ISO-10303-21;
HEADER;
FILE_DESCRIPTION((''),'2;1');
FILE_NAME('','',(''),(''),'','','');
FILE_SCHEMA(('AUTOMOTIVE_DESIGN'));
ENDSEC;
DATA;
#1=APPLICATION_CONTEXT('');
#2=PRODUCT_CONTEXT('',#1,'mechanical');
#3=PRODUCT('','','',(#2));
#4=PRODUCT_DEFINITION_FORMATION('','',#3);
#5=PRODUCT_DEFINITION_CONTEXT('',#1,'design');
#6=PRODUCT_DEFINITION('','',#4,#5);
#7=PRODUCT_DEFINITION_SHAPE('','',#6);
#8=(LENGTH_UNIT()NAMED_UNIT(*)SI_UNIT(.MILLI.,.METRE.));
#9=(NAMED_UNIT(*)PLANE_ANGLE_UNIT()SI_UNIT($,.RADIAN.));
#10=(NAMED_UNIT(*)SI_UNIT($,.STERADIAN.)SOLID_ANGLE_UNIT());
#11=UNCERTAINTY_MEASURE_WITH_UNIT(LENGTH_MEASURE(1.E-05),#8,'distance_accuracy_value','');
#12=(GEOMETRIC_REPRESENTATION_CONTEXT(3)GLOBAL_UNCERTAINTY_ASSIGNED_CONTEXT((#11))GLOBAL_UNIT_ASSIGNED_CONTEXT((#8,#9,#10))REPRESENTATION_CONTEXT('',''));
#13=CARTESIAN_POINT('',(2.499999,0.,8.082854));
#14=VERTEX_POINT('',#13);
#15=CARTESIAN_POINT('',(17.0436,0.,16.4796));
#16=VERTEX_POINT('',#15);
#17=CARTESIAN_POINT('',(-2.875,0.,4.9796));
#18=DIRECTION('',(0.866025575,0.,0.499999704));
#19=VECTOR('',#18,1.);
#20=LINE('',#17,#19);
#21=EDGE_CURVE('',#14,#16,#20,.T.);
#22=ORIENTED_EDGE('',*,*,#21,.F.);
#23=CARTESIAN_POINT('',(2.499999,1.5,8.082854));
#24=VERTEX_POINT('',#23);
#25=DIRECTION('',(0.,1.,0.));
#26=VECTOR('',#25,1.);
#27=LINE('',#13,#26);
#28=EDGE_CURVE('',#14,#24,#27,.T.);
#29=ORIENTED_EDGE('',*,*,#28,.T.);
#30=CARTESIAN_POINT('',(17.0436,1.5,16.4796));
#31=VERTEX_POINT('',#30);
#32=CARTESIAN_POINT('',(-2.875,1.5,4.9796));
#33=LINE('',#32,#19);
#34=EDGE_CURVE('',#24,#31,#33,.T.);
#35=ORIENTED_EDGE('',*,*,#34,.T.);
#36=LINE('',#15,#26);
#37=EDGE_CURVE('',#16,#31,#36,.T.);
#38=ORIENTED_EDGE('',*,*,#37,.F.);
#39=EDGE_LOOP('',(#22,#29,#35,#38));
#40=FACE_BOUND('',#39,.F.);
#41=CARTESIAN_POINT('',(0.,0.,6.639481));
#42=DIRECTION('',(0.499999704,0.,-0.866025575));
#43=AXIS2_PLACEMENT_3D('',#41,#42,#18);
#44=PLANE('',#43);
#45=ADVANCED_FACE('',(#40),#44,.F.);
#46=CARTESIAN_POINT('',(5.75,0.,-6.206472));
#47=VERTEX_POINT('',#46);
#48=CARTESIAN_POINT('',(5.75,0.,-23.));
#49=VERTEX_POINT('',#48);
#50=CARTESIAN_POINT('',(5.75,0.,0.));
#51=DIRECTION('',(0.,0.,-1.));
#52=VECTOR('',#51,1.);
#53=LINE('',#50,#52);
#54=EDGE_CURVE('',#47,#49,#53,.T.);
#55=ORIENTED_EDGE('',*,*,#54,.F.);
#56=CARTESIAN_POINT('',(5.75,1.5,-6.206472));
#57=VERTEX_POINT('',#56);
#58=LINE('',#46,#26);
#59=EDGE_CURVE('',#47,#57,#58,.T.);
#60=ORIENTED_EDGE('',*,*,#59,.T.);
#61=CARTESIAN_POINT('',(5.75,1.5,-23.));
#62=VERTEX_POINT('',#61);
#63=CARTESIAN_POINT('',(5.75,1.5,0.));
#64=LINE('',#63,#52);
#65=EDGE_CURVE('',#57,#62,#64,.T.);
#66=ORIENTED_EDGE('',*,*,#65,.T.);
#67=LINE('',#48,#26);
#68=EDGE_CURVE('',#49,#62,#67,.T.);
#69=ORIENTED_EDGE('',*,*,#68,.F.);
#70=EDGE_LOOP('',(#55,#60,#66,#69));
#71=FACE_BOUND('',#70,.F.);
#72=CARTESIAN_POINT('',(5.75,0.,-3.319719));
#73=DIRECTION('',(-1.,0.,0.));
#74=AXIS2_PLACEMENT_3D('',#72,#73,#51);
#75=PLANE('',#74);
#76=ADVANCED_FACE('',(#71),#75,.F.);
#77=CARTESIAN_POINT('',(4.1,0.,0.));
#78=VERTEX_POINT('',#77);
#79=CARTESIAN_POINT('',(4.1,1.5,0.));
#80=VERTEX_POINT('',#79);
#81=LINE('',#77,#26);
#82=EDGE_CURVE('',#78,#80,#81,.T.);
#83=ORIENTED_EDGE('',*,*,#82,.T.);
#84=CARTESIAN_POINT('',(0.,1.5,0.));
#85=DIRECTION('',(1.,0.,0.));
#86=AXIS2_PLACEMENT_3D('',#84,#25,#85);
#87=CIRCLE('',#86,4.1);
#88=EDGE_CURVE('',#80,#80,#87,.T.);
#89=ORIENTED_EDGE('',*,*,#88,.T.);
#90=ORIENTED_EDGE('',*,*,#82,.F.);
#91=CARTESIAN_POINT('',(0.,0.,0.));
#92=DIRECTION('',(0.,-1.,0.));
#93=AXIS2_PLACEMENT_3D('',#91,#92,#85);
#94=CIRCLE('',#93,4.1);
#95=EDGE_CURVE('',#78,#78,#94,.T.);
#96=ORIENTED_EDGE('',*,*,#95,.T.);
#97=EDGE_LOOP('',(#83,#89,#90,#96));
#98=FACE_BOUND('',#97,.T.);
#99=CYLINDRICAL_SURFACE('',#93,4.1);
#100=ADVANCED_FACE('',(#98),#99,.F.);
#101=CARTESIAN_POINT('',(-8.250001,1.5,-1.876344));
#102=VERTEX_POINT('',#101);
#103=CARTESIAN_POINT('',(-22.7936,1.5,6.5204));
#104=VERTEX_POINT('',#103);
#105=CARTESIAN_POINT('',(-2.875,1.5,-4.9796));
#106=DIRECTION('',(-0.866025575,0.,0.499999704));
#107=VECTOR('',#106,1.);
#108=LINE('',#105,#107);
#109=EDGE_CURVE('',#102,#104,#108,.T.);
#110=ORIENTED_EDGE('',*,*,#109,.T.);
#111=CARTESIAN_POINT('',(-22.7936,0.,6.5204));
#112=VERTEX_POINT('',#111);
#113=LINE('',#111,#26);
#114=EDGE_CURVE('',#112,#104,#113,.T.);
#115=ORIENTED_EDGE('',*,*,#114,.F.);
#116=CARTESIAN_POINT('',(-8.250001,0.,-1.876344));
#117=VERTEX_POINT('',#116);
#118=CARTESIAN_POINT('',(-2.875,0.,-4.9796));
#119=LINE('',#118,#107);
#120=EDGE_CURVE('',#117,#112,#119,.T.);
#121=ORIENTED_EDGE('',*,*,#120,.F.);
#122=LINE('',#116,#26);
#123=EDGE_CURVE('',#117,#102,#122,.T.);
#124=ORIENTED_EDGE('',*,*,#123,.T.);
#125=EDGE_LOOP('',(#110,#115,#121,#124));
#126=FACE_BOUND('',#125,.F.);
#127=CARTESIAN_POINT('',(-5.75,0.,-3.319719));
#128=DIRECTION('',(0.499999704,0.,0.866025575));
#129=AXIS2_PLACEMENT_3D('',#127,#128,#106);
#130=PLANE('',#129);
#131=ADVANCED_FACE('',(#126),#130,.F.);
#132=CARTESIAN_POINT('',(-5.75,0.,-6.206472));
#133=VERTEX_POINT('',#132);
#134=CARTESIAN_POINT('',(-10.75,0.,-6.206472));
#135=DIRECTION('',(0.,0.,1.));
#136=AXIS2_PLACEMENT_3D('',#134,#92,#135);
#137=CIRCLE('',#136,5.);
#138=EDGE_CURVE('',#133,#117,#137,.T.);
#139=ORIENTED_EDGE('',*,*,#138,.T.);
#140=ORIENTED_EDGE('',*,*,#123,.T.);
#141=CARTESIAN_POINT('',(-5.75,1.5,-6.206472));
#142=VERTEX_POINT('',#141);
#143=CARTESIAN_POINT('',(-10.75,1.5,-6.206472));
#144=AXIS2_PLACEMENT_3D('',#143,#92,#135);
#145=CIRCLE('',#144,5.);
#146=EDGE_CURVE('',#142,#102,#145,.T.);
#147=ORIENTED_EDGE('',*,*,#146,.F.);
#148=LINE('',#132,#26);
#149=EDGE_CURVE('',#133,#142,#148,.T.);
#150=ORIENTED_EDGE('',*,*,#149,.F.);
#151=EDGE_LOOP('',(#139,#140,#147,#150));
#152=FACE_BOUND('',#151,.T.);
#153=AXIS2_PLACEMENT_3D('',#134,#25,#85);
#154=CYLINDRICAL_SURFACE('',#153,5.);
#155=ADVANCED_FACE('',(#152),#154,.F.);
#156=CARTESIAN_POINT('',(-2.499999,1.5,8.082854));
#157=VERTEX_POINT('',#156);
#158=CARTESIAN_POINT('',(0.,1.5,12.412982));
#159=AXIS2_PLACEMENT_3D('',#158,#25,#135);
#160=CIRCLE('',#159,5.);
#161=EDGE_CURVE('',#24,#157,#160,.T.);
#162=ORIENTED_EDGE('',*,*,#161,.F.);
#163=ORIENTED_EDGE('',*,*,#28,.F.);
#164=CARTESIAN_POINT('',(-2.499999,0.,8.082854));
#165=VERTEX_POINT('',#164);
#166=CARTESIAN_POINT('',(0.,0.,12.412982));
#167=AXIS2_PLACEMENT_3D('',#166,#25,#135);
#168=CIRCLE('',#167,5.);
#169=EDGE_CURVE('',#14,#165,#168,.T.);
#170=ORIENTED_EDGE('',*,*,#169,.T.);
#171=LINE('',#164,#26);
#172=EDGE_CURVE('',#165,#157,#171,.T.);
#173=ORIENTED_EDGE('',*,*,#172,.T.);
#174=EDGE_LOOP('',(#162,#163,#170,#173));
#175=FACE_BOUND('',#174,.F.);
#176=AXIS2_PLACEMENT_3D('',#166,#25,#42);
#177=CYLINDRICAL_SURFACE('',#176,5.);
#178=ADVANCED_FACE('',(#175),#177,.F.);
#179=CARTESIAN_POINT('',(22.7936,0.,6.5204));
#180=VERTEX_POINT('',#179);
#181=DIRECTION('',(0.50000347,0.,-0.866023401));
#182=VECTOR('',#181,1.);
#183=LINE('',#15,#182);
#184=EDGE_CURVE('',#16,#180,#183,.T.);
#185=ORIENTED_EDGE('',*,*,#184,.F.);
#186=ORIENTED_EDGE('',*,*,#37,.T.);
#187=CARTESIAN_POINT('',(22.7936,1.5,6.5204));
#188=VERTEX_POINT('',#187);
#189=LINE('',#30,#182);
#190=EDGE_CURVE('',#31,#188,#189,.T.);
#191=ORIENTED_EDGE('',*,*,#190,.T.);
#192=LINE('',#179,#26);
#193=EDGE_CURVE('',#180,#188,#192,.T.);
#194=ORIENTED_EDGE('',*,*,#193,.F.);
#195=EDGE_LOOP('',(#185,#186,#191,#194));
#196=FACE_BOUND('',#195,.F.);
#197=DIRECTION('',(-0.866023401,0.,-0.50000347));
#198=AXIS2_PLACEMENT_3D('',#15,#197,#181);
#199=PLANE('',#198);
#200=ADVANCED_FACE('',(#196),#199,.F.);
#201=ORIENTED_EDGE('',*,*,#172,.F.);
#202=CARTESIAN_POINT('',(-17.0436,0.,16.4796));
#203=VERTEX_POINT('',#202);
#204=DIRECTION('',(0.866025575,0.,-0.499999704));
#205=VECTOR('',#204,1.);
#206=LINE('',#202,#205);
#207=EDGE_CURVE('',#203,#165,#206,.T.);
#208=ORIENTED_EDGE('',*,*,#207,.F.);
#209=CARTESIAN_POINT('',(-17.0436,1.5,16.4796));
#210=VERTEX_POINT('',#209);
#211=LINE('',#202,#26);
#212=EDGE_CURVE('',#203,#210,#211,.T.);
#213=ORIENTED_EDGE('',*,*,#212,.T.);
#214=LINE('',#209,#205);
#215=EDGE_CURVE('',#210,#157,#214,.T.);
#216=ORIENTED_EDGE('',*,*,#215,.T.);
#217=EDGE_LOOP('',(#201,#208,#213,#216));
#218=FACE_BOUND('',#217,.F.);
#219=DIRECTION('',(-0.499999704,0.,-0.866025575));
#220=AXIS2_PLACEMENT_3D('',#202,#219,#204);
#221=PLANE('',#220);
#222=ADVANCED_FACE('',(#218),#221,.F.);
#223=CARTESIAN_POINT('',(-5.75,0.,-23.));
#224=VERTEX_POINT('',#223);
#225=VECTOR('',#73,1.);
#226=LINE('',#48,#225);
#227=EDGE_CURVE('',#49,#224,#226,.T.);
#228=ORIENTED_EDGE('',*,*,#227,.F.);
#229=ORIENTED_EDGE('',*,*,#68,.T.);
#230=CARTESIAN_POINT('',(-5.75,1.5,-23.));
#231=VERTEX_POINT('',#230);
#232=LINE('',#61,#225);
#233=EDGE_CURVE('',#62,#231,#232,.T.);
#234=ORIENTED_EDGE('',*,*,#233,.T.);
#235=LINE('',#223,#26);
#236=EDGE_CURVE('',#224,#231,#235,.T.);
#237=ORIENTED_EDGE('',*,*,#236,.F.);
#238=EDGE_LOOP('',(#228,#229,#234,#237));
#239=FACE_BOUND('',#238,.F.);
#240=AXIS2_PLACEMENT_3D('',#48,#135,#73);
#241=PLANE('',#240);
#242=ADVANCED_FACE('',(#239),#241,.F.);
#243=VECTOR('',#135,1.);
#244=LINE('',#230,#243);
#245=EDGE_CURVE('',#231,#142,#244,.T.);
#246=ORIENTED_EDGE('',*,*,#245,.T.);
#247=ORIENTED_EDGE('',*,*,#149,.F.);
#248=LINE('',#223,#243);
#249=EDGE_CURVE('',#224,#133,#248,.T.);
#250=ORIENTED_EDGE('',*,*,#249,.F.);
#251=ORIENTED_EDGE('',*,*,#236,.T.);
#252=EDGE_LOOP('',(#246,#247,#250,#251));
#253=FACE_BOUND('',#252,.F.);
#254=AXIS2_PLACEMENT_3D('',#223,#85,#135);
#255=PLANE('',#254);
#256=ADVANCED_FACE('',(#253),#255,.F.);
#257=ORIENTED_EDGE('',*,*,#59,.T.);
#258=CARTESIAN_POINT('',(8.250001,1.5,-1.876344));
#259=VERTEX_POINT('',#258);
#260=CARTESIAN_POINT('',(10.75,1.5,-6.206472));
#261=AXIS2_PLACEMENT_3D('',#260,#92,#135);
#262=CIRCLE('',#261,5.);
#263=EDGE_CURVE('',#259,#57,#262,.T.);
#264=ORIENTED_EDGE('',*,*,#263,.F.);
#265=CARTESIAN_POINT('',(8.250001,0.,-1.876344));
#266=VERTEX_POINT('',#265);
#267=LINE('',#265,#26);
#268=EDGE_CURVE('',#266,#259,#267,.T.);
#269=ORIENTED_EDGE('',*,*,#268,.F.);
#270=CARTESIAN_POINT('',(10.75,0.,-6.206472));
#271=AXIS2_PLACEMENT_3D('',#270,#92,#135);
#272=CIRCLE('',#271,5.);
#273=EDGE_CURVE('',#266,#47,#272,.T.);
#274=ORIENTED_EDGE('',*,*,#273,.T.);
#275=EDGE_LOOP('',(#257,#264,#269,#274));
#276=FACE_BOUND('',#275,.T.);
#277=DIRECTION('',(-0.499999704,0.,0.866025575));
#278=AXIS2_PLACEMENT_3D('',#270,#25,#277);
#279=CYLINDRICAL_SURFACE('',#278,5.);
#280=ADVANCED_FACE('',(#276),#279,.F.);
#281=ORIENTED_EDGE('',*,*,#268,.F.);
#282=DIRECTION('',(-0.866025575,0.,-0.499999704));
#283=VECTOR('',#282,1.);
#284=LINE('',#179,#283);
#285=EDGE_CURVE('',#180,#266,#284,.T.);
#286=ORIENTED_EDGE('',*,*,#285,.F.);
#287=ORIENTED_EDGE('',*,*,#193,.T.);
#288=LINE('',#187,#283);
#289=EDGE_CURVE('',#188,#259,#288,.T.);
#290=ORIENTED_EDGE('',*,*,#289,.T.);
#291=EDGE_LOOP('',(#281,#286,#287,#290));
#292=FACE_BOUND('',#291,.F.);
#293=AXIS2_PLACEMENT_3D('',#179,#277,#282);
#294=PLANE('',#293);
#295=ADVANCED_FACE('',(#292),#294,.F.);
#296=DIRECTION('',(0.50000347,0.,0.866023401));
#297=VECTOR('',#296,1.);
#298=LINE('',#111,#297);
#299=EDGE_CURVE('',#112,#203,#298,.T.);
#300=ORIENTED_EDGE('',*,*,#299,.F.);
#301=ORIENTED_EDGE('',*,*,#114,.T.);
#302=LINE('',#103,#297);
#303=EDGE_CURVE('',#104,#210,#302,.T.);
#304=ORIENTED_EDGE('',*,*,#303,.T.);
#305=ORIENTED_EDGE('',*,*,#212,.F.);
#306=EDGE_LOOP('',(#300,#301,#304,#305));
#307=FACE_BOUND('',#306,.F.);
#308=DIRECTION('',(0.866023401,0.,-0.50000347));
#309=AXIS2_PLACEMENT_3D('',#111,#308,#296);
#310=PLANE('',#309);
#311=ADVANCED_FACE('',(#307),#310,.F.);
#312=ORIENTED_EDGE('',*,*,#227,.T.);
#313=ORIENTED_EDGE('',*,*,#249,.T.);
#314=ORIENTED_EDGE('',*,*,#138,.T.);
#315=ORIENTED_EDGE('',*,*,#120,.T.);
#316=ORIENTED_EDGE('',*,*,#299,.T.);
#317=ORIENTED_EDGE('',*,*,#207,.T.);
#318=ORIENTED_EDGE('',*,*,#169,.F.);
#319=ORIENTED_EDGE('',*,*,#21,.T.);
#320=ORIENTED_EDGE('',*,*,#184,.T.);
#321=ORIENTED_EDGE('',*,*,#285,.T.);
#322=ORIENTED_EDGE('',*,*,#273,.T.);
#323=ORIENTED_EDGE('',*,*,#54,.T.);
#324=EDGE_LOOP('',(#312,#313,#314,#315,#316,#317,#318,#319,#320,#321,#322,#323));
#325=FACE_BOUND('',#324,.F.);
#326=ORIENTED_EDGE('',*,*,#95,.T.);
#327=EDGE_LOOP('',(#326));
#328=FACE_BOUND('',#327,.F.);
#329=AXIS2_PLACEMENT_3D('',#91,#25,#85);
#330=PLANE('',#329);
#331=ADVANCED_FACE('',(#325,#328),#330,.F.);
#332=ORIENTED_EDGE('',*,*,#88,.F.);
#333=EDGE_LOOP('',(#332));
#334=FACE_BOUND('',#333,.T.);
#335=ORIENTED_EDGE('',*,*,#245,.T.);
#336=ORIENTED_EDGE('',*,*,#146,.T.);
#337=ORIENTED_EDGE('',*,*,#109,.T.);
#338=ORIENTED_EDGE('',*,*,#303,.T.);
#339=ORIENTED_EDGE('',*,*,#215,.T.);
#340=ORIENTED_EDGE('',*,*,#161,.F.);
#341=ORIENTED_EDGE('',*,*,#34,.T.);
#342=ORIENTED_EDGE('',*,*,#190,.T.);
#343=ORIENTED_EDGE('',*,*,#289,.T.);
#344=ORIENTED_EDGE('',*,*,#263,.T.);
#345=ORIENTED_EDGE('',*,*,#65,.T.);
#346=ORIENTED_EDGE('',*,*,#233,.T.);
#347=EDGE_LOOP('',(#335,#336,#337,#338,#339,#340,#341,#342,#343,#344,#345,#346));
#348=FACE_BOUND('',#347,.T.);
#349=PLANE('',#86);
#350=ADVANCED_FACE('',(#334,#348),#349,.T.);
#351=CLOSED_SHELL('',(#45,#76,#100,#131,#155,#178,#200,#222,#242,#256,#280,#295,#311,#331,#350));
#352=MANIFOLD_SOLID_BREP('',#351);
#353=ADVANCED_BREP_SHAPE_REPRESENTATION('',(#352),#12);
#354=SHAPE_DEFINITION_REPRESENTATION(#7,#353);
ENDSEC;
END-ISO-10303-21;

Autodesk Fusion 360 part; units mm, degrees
sketch "Skizze1" plane through (0, 0, 0) normal (0, 1, 0) x (1, 0, 0)
  line L0 (-5.75, 0) -> (5.75, 0)
  line L1 (5.75, 0) -> (5.75, 23)
  line L2 (5.75, 23) -> (-5.75, 23)
  line L3 (-5.75, 23) -> (-5.75, 0)
  circle A0 centre (0, 0) radius 4.1
  line L4 (-2.875, 4.9796) -> (-22.7936, -6.5204)
  line L5 (2.875, -4.9796) -> (-2.875, 4.9796)
  circle A1 centre (0, 0) radius 4.1
  line L6 (-22.7936, -6.5204) -> (-17.0436, -16.4796)
  line L7 (-17.0436, -16.4796) -> (2.875, -4.9796)
  line L8 (-2.875, -4.9796) -> (17.0436, -16.4796)
  line L9 (2.875, 4.9796) -> (-2.875, -4.9796)
  circle A2 centre (0, 0) radius 4.1
  line L10 (17.0436, -16.4796) -> (22.7936, -6.5204)
  line L11 (22.7936, -6.5204) -> (2.875, 4.9796)
  dimension "d1" = 8.2
  dimension "d2" = 11.5
  dimension "d3" = 23
  dimension "d4" = 5.75
  dimension "d8" = 360
extrude "Extrusion1" add sketch "Skizze1" along normal blind 1.5 contours L0 L1 A0 A1 L9 A2 L11 | L0 L1 A0 L5 A1 L7 L8 A2 L10 L11 | L1 L2 L3 A0 L4 L5 A1 L9 A2 L11 | A0 L5 A1 L7 L8 L9 A2 | L0 L3 A0 L4 A1 L6 L7 L8 L9 A2 | L0 L3 A0 L4 L5 A1 A2
fillet "Abrundung1" radius 5 3 edges at (0, 0.75, 6.6395) (5.75, 0.75, -3.3198) (-5.75, 0.75, -3.3198)
equation "d4 = d2 / 2"
